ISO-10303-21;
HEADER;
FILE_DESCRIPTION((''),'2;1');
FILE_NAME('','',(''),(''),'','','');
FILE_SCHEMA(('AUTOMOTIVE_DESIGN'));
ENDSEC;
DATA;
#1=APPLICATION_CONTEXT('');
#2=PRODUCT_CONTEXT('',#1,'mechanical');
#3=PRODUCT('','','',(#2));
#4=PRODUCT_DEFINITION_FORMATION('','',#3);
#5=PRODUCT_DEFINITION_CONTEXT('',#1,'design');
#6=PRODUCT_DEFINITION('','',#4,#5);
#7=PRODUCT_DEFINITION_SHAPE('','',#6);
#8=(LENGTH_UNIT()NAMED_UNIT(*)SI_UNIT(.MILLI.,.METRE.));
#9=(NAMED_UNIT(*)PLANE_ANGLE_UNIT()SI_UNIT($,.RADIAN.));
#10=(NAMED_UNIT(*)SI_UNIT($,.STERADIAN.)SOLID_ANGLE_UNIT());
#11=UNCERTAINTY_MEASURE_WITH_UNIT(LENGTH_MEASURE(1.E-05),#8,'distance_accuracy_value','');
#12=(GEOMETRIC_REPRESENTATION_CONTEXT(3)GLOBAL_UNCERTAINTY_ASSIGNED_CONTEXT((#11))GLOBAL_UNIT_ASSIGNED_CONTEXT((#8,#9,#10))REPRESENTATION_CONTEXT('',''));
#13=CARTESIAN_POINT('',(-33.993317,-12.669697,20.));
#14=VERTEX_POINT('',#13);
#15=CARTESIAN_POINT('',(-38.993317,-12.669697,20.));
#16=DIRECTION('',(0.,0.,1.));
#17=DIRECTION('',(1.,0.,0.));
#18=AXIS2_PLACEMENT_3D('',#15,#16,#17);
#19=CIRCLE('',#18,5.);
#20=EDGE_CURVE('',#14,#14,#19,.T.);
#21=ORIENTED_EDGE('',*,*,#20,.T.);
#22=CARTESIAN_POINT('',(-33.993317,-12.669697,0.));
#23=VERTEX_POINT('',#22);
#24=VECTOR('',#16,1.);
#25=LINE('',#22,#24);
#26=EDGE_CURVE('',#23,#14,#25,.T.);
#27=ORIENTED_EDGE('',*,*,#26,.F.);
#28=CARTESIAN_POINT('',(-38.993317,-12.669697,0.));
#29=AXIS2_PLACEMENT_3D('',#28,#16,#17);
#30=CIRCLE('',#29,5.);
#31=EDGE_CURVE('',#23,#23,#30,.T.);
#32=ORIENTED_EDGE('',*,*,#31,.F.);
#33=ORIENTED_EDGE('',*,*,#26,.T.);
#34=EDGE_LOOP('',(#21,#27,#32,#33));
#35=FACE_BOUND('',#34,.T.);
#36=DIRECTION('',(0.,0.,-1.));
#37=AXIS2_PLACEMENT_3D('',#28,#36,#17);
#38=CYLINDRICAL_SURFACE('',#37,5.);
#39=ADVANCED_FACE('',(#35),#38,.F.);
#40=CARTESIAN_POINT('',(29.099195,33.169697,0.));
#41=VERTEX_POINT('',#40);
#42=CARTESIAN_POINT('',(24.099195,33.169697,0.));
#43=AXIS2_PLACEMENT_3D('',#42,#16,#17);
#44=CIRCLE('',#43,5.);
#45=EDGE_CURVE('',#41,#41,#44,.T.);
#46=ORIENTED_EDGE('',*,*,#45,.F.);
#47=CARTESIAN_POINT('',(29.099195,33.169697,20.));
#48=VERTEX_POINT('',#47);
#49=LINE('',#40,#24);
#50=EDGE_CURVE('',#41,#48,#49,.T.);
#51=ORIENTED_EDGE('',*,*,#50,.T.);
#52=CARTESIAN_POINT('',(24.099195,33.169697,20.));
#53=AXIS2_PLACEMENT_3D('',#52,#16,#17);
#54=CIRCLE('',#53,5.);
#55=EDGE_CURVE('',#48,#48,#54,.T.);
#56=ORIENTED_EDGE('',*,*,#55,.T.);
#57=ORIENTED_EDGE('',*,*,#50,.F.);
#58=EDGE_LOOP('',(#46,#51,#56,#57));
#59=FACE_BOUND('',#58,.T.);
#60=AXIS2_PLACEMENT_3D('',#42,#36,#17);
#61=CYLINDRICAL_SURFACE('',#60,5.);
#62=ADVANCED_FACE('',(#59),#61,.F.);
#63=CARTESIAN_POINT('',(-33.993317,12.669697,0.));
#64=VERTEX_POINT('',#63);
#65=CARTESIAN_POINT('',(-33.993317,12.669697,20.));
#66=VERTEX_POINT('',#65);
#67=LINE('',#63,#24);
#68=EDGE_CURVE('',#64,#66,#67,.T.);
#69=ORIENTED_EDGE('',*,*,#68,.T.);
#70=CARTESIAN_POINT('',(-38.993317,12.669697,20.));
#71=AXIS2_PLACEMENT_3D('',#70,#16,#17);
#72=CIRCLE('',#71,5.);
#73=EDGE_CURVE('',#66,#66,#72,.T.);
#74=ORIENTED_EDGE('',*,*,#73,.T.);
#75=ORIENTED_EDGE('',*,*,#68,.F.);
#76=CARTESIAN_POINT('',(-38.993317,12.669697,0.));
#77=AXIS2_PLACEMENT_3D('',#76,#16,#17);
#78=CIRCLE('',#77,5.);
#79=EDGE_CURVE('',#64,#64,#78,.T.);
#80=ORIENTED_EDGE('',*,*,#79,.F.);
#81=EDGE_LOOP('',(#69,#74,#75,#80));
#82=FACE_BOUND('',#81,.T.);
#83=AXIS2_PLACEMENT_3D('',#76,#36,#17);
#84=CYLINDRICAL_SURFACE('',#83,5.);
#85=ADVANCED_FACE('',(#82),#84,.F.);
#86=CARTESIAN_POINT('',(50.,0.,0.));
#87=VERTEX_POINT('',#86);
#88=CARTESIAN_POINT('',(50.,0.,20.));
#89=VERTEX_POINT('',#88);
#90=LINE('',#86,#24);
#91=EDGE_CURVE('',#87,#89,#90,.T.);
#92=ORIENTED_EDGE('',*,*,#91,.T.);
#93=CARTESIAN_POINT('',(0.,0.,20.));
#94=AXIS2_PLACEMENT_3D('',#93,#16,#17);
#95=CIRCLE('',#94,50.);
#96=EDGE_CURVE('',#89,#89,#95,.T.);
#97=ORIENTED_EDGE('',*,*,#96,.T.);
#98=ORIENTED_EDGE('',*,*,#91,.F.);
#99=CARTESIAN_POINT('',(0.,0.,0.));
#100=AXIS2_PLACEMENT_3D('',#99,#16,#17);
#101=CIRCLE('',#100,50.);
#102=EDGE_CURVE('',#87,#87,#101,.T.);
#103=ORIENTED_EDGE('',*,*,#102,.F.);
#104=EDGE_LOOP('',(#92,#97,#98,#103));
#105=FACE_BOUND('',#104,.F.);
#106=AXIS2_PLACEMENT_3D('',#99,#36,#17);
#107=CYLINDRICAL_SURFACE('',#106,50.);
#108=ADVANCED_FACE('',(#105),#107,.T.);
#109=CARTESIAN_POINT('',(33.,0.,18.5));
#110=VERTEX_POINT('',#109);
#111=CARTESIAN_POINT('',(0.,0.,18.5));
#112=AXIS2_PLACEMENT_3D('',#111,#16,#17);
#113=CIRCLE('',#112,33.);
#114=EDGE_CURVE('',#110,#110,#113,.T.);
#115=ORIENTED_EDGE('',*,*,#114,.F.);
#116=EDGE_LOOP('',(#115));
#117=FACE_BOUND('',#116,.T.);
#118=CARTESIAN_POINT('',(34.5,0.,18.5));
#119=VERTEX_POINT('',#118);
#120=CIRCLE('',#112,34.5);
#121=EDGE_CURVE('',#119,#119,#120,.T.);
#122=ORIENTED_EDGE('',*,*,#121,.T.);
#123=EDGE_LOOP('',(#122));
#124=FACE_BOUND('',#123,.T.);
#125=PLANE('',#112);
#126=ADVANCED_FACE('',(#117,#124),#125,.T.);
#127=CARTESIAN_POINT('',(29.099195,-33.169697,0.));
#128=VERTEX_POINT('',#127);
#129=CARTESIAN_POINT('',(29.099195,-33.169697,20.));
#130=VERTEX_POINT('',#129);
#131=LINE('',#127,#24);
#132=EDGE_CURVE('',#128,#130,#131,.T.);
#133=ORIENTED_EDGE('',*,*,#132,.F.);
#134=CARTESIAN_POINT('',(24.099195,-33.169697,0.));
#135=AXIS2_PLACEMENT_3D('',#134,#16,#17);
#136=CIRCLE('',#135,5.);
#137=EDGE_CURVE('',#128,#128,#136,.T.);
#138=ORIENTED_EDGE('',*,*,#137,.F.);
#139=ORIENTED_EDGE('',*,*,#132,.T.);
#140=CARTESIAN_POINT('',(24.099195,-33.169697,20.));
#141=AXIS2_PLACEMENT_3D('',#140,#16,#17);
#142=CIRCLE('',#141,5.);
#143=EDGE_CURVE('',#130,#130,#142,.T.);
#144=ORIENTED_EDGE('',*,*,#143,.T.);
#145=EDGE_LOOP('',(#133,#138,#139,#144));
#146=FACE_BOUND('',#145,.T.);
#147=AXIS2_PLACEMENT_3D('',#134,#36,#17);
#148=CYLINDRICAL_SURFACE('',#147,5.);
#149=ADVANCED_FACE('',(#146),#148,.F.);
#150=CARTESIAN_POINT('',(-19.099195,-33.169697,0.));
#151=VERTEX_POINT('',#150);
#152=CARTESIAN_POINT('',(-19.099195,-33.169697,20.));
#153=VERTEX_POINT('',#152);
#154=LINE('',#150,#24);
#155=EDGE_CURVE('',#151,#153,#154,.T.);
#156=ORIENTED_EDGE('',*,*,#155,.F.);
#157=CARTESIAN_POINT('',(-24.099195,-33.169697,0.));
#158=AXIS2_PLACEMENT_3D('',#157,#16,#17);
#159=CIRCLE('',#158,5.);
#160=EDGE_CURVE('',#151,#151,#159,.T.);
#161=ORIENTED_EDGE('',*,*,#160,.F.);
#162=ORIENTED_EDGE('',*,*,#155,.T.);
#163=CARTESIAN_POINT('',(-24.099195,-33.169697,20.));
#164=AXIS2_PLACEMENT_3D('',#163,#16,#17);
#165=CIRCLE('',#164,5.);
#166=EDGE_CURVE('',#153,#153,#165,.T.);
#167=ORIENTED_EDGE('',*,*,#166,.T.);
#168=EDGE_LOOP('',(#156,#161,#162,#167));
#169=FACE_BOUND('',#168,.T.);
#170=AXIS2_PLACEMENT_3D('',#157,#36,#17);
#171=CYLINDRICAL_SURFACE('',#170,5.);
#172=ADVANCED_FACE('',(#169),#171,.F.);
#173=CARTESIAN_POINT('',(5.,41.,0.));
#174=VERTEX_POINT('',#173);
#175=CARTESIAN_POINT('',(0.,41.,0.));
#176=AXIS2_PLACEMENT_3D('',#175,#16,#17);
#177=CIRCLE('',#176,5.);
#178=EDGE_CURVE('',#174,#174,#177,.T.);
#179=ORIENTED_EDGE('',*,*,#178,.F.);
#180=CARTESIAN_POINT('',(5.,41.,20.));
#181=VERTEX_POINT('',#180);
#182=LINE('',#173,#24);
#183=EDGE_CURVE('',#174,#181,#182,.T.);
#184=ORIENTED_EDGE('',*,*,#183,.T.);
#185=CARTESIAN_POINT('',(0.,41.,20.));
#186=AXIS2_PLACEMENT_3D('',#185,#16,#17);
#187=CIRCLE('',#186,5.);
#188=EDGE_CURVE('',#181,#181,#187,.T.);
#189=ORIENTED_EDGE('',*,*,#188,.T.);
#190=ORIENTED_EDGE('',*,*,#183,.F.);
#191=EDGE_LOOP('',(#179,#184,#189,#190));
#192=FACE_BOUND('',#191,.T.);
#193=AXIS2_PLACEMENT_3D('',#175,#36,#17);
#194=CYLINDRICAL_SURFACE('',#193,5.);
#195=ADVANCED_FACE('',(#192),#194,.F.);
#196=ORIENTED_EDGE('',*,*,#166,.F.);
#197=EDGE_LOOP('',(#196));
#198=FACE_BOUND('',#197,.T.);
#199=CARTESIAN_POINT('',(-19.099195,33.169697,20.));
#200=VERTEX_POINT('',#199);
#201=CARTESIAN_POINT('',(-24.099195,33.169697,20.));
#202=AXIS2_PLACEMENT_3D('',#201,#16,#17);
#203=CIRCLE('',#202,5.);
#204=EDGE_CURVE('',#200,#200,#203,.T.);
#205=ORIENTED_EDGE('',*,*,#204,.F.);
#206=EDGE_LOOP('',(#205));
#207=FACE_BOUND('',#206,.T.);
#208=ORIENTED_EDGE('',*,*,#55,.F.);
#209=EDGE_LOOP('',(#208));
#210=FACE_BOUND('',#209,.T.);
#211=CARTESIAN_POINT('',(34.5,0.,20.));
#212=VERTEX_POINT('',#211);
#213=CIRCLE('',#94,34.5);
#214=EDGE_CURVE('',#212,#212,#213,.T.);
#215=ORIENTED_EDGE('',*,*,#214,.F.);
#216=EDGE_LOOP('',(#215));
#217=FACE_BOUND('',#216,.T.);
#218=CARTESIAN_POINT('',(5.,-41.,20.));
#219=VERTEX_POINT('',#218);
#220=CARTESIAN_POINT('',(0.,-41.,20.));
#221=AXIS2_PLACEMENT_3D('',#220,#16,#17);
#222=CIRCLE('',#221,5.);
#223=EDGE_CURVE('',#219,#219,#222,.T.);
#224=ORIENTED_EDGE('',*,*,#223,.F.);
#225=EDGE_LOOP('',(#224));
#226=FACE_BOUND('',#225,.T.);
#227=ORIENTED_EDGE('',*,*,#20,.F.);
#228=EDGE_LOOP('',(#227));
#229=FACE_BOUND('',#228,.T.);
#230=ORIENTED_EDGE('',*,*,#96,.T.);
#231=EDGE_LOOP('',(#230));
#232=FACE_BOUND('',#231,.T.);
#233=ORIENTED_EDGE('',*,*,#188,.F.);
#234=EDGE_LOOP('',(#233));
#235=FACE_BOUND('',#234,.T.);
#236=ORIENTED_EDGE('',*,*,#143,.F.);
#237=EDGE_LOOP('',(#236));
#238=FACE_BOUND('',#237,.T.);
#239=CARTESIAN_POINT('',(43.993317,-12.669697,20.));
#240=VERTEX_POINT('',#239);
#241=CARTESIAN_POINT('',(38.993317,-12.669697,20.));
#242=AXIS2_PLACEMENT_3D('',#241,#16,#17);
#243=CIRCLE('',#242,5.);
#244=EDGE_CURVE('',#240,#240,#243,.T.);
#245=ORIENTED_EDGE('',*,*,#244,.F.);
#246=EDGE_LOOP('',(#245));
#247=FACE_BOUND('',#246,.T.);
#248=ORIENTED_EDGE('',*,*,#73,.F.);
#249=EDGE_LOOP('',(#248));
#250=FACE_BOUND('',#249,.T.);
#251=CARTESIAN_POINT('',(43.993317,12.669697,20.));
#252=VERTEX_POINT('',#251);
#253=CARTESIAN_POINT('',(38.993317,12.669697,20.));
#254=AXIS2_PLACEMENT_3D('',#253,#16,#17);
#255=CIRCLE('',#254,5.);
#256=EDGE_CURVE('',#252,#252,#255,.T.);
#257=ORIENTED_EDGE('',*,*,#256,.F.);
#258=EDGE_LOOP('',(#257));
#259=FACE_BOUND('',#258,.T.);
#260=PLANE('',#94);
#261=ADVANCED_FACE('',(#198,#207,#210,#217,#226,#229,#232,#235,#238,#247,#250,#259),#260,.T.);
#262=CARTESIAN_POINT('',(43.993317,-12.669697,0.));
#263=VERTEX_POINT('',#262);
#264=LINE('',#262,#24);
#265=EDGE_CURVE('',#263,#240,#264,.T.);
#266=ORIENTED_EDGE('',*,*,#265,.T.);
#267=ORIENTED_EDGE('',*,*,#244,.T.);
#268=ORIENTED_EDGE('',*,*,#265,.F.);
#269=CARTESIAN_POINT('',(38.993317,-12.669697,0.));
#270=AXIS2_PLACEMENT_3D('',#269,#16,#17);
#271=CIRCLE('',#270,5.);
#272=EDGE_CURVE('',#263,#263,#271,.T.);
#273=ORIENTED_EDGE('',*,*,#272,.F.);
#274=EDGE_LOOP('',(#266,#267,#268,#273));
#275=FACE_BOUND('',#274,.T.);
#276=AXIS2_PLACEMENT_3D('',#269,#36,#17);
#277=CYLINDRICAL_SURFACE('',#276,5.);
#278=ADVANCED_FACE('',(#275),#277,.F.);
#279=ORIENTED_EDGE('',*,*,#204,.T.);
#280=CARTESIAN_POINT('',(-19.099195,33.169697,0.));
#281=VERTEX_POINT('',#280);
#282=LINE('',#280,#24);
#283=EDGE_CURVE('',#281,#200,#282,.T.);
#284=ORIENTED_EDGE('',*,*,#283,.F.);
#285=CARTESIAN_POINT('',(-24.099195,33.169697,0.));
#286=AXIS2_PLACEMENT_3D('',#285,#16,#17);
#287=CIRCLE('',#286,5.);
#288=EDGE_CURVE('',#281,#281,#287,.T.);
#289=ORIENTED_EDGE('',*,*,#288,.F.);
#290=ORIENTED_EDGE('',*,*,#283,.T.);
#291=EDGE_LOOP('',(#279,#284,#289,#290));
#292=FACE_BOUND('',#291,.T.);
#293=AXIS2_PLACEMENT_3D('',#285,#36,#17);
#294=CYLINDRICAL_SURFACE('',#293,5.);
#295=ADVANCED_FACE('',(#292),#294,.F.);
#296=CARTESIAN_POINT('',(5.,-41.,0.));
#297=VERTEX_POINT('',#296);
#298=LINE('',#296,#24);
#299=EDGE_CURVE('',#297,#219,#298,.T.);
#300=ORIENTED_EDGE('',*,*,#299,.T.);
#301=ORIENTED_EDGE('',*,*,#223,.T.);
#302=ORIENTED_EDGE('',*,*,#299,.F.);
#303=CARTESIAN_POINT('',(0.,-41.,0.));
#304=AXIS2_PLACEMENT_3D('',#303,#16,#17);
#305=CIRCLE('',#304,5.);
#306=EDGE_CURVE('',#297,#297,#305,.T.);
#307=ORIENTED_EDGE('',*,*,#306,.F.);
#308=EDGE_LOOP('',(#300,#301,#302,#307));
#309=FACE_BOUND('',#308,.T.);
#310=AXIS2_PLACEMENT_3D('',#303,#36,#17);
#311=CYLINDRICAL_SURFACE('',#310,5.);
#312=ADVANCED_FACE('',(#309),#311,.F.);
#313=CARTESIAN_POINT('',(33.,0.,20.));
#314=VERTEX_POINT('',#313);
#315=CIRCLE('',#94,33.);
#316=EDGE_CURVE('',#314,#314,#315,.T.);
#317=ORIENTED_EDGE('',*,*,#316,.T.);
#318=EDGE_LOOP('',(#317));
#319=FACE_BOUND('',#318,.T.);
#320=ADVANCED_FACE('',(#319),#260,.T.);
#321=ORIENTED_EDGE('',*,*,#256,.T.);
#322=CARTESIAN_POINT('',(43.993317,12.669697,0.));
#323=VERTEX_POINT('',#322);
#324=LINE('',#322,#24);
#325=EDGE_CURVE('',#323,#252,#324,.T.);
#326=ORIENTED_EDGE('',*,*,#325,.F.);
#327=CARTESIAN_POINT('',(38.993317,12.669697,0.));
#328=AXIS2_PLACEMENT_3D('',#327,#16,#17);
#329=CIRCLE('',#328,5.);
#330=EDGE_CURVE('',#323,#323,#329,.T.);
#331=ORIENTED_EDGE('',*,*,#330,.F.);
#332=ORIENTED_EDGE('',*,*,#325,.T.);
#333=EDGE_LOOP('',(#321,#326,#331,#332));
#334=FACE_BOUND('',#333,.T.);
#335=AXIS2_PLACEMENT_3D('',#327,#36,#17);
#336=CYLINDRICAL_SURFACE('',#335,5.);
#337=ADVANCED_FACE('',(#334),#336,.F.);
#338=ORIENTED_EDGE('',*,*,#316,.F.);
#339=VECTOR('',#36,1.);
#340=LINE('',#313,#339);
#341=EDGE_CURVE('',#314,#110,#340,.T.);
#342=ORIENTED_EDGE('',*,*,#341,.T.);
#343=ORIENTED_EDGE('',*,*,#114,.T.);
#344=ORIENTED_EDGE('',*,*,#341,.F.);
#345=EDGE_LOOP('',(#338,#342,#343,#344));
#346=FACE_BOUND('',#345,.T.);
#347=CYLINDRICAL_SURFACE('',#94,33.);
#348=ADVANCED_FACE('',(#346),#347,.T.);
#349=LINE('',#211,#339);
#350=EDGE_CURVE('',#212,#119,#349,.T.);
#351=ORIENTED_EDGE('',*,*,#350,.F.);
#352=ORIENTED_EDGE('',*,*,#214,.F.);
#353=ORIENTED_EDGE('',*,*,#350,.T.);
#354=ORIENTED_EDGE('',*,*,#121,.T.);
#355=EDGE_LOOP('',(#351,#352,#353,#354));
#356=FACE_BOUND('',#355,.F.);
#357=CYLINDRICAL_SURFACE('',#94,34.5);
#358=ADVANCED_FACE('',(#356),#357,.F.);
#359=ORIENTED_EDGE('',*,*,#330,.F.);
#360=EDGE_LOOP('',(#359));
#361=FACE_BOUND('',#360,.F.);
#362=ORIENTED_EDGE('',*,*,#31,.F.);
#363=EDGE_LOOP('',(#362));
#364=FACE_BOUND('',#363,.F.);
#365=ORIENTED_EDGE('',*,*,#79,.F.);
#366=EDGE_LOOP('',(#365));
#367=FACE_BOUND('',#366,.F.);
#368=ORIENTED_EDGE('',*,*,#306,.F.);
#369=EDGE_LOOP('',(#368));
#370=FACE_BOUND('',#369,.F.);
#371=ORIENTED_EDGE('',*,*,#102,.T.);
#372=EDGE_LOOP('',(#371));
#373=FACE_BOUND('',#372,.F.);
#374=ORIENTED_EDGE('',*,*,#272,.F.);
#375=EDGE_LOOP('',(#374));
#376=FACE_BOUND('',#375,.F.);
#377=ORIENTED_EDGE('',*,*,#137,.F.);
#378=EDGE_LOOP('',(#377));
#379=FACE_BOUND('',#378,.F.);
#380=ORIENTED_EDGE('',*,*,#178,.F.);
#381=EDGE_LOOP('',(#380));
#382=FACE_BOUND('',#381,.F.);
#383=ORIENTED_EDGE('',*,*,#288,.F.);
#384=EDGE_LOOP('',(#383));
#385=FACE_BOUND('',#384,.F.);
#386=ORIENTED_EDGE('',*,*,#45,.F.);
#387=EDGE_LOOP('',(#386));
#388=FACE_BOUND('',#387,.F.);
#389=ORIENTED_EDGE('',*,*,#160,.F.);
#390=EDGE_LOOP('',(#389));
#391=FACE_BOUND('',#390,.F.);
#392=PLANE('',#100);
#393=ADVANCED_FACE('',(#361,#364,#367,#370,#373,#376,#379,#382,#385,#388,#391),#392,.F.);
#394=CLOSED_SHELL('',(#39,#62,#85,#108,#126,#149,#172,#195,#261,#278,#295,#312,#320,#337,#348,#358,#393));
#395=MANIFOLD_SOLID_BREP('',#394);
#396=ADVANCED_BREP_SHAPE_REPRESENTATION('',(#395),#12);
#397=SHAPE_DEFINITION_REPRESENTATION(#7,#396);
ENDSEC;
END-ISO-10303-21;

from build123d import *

# Parameters (mm, degrees)
SKETCH1_R           = 50
SKETCH1_R_2         = 5
BOSS_EXTRUDE1_DEPTH = 20
SKETCH2_R           = 34.5
SKETCH2_R_2         = 33
CUT_EXTRUDE1_DEPTH  = 1.5


with BuildPart() as part:
    # Sketch1 → Boss-Extrude1 (new body)
    with BuildSketch(Plane.XY):
        Circle(SKETCH1_R)
        with Locations((0, -41)):
            Circle(SKETCH1_R_2, mode=Mode.SUBTRACT)
        with Locations((-24.099195344, -33.169696769)):
            Circle(SKETCH1_R_2, mode=Mode.SUBTRACT)
        with Locations((-38.993317168, -12.669696769)):
            Circle(SKETCH1_R_2, mode=Mode.SUBTRACT)
        with Locations((-38.993317168, 12.669696769)):
            Circle(SKETCH1_R_2, mode=Mode.SUBTRACT)
        with Locations((-24.099195344, 33.169696769)):
            Circle(SKETCH1_R_2, mode=Mode.SUBTRACT)
        with Locations((0, 41)):
            Circle(SKETCH1_R_2, mode=Mode.SUBTRACT)
        with Locations((24.099195344, 33.169696769)):
            Circle(SKETCH1_R_2, mode=Mode.SUBTRACT)
        with Locations((38.993317168, 12.669696769)):
            Circle(SKETCH1_R_2, mode=Mode.SUBTRACT)
        with Locations((38.993317168, -12.669696769)):
            Circle(SKETCH1_R_2, mode=Mode.SUBTRACT)
        with Locations((24.099195344, -33.169696769)):
            Circle(SKETCH1_R_2, mode=Mode.SUBTRACT)
    extrude(amount=BOSS_EXTRUDE1_DEPTH)

    # Sketch2 → Cut-Extrude1 (cut)
    with BuildSketch(Plane.XY.offset(20)):
        Circle(SKETCH2_R)
        Circle(SKETCH2_R_2, mode=Mode.SUBTRACT)
    extrude(amount=-CUT_EXTRUDE1_DEPTH, mode=Mode.SUBTRACT)


solid = part.part
